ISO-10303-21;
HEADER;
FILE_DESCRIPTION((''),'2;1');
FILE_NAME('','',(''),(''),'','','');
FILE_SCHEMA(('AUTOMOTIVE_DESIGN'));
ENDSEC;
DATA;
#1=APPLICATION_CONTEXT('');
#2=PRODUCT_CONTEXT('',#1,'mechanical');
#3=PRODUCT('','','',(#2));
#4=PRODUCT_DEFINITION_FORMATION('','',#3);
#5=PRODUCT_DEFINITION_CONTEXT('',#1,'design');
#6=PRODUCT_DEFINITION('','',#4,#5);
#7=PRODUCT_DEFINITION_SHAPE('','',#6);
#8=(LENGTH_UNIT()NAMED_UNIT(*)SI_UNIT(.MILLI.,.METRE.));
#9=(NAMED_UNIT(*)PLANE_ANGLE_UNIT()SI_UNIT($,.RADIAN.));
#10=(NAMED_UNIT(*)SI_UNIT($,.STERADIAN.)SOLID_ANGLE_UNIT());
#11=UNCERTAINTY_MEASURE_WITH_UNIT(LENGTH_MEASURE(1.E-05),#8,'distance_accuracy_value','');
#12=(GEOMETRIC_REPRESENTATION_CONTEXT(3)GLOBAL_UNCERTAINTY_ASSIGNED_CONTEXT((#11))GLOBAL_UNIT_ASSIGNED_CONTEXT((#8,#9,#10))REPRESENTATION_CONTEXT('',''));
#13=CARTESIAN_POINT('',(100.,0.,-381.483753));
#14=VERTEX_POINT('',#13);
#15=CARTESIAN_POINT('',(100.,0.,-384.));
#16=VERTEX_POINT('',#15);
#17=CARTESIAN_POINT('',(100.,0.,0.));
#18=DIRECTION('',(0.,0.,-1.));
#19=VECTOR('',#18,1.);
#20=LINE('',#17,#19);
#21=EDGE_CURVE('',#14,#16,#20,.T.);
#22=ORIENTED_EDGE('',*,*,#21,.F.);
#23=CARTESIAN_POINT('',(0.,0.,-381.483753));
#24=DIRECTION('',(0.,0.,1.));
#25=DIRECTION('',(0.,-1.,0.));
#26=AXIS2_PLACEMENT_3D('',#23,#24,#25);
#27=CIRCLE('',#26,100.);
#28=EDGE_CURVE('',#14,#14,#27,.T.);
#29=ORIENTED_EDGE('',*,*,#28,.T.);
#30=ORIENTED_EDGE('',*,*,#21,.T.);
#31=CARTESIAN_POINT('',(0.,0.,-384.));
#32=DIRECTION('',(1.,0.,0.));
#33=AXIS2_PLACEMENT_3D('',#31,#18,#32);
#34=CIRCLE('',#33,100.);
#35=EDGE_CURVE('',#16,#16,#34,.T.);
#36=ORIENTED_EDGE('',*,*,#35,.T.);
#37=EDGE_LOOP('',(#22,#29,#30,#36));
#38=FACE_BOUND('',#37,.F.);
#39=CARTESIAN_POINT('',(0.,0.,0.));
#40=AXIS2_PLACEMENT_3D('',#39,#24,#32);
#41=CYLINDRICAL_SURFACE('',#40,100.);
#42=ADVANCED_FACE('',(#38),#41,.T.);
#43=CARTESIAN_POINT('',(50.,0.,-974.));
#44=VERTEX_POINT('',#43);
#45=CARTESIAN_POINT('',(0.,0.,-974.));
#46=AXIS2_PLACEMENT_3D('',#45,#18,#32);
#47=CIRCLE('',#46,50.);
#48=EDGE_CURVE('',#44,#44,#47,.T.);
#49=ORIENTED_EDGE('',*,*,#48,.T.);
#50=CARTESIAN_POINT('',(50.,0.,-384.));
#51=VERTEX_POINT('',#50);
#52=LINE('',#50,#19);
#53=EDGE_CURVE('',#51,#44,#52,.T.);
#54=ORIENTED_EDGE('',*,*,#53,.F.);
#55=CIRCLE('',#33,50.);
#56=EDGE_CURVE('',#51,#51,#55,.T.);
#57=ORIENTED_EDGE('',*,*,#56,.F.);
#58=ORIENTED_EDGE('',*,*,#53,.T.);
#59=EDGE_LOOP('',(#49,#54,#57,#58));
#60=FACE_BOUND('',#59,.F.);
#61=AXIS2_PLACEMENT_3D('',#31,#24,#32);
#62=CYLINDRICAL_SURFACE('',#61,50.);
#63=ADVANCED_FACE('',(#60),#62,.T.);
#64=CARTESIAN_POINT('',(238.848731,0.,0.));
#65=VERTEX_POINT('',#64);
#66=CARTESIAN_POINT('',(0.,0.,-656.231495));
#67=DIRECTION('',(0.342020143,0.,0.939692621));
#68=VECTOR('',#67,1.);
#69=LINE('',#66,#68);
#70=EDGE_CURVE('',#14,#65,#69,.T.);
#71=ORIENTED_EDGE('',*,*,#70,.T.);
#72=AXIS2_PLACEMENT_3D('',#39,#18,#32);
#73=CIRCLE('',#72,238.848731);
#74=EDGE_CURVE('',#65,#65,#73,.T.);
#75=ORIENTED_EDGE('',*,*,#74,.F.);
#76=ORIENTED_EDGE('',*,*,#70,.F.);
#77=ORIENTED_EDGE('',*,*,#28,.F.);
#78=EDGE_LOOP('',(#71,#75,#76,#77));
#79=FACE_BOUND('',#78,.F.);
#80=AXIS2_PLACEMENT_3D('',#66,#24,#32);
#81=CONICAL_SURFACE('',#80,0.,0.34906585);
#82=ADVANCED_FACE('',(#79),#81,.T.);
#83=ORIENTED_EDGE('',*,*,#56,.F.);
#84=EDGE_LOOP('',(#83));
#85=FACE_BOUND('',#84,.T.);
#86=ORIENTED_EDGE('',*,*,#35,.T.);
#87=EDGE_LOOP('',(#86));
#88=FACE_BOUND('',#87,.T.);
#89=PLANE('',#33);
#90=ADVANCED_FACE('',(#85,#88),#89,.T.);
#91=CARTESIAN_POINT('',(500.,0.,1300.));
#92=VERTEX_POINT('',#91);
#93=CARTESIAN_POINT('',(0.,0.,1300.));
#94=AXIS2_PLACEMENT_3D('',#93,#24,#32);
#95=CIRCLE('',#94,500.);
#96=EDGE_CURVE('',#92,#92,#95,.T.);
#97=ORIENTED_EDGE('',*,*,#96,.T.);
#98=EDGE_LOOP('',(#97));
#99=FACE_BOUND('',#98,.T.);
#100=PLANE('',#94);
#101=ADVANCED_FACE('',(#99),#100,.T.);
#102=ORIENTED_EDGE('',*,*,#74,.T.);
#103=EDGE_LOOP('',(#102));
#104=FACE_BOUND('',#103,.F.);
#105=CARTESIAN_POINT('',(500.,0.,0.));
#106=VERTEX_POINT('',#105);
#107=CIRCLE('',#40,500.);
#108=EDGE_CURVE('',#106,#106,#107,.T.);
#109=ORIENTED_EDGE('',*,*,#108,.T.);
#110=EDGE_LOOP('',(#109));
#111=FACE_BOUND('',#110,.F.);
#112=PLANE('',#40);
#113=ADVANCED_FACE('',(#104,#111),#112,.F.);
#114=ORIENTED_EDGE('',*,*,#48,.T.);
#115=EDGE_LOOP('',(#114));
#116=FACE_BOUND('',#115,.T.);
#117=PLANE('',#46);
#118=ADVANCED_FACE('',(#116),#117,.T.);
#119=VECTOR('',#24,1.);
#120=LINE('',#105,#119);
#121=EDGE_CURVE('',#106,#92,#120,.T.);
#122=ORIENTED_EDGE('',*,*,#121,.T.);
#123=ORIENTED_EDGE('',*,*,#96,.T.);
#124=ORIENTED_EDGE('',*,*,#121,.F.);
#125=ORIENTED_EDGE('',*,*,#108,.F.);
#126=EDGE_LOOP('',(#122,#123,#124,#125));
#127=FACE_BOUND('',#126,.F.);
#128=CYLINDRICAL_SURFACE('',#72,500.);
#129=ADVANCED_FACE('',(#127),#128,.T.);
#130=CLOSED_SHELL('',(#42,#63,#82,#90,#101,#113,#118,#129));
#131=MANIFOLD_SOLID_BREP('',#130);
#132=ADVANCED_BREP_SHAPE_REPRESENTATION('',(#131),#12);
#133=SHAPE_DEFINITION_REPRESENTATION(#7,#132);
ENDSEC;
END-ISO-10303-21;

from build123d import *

# Parameters (mm, degrees)
F0_R      = 500
F1_DEPTH  = 1300
F5_R      = 100
F6_DEPTH  = 809
F7_R      = 100
F8_DEPTH  = 384
F9_R      = 50
F10_DEPTH = 590


with BuildPart() as f1:
    # F0 (on Top) → F1 (new body)
    with BuildSketch(Plane.XY):
        Circle(F0_R)
    extrude(amount=F1_DEPTH)

    # F3 (on Front) → F4 (revolve)
    with BuildSketch(Plane.XZ):
        Polygon((0, 0), (0, -656.231495), (238.848731, 0), align=None)
    revolve(axis=Axis((0, 0, -328.115747), (0, 0, -1)))

    # F5 (on face) → F6 (cut)
    with BuildSketch(Plane(origin=(0, 0, 0), x_dir=(1, 0, 0), z_dir=(0, 0, -1))):
        Circle(F5_R)
    extrude(amount=F6_DEPTH, mode=Mode.SUBTRACT)

    # F7 (on face) → F8 (join)
    with BuildSketch(Plane(origin=(0, 0, 0), x_dir=(1, 0, 0), z_dir=(0, 0, -1))):
        Circle(F7_R)
    extrude(amount=F8_DEPTH)

    # F9 (on face) → F10 (join)
    with BuildSketch(Plane(origin=(0, 0, -384), x_dir=(1, 0, 0), z_dir=(0, 0, -1))):
        Circle(F9_R)
    extrude(amount=F10_DEPTH)


solid = f1.part
